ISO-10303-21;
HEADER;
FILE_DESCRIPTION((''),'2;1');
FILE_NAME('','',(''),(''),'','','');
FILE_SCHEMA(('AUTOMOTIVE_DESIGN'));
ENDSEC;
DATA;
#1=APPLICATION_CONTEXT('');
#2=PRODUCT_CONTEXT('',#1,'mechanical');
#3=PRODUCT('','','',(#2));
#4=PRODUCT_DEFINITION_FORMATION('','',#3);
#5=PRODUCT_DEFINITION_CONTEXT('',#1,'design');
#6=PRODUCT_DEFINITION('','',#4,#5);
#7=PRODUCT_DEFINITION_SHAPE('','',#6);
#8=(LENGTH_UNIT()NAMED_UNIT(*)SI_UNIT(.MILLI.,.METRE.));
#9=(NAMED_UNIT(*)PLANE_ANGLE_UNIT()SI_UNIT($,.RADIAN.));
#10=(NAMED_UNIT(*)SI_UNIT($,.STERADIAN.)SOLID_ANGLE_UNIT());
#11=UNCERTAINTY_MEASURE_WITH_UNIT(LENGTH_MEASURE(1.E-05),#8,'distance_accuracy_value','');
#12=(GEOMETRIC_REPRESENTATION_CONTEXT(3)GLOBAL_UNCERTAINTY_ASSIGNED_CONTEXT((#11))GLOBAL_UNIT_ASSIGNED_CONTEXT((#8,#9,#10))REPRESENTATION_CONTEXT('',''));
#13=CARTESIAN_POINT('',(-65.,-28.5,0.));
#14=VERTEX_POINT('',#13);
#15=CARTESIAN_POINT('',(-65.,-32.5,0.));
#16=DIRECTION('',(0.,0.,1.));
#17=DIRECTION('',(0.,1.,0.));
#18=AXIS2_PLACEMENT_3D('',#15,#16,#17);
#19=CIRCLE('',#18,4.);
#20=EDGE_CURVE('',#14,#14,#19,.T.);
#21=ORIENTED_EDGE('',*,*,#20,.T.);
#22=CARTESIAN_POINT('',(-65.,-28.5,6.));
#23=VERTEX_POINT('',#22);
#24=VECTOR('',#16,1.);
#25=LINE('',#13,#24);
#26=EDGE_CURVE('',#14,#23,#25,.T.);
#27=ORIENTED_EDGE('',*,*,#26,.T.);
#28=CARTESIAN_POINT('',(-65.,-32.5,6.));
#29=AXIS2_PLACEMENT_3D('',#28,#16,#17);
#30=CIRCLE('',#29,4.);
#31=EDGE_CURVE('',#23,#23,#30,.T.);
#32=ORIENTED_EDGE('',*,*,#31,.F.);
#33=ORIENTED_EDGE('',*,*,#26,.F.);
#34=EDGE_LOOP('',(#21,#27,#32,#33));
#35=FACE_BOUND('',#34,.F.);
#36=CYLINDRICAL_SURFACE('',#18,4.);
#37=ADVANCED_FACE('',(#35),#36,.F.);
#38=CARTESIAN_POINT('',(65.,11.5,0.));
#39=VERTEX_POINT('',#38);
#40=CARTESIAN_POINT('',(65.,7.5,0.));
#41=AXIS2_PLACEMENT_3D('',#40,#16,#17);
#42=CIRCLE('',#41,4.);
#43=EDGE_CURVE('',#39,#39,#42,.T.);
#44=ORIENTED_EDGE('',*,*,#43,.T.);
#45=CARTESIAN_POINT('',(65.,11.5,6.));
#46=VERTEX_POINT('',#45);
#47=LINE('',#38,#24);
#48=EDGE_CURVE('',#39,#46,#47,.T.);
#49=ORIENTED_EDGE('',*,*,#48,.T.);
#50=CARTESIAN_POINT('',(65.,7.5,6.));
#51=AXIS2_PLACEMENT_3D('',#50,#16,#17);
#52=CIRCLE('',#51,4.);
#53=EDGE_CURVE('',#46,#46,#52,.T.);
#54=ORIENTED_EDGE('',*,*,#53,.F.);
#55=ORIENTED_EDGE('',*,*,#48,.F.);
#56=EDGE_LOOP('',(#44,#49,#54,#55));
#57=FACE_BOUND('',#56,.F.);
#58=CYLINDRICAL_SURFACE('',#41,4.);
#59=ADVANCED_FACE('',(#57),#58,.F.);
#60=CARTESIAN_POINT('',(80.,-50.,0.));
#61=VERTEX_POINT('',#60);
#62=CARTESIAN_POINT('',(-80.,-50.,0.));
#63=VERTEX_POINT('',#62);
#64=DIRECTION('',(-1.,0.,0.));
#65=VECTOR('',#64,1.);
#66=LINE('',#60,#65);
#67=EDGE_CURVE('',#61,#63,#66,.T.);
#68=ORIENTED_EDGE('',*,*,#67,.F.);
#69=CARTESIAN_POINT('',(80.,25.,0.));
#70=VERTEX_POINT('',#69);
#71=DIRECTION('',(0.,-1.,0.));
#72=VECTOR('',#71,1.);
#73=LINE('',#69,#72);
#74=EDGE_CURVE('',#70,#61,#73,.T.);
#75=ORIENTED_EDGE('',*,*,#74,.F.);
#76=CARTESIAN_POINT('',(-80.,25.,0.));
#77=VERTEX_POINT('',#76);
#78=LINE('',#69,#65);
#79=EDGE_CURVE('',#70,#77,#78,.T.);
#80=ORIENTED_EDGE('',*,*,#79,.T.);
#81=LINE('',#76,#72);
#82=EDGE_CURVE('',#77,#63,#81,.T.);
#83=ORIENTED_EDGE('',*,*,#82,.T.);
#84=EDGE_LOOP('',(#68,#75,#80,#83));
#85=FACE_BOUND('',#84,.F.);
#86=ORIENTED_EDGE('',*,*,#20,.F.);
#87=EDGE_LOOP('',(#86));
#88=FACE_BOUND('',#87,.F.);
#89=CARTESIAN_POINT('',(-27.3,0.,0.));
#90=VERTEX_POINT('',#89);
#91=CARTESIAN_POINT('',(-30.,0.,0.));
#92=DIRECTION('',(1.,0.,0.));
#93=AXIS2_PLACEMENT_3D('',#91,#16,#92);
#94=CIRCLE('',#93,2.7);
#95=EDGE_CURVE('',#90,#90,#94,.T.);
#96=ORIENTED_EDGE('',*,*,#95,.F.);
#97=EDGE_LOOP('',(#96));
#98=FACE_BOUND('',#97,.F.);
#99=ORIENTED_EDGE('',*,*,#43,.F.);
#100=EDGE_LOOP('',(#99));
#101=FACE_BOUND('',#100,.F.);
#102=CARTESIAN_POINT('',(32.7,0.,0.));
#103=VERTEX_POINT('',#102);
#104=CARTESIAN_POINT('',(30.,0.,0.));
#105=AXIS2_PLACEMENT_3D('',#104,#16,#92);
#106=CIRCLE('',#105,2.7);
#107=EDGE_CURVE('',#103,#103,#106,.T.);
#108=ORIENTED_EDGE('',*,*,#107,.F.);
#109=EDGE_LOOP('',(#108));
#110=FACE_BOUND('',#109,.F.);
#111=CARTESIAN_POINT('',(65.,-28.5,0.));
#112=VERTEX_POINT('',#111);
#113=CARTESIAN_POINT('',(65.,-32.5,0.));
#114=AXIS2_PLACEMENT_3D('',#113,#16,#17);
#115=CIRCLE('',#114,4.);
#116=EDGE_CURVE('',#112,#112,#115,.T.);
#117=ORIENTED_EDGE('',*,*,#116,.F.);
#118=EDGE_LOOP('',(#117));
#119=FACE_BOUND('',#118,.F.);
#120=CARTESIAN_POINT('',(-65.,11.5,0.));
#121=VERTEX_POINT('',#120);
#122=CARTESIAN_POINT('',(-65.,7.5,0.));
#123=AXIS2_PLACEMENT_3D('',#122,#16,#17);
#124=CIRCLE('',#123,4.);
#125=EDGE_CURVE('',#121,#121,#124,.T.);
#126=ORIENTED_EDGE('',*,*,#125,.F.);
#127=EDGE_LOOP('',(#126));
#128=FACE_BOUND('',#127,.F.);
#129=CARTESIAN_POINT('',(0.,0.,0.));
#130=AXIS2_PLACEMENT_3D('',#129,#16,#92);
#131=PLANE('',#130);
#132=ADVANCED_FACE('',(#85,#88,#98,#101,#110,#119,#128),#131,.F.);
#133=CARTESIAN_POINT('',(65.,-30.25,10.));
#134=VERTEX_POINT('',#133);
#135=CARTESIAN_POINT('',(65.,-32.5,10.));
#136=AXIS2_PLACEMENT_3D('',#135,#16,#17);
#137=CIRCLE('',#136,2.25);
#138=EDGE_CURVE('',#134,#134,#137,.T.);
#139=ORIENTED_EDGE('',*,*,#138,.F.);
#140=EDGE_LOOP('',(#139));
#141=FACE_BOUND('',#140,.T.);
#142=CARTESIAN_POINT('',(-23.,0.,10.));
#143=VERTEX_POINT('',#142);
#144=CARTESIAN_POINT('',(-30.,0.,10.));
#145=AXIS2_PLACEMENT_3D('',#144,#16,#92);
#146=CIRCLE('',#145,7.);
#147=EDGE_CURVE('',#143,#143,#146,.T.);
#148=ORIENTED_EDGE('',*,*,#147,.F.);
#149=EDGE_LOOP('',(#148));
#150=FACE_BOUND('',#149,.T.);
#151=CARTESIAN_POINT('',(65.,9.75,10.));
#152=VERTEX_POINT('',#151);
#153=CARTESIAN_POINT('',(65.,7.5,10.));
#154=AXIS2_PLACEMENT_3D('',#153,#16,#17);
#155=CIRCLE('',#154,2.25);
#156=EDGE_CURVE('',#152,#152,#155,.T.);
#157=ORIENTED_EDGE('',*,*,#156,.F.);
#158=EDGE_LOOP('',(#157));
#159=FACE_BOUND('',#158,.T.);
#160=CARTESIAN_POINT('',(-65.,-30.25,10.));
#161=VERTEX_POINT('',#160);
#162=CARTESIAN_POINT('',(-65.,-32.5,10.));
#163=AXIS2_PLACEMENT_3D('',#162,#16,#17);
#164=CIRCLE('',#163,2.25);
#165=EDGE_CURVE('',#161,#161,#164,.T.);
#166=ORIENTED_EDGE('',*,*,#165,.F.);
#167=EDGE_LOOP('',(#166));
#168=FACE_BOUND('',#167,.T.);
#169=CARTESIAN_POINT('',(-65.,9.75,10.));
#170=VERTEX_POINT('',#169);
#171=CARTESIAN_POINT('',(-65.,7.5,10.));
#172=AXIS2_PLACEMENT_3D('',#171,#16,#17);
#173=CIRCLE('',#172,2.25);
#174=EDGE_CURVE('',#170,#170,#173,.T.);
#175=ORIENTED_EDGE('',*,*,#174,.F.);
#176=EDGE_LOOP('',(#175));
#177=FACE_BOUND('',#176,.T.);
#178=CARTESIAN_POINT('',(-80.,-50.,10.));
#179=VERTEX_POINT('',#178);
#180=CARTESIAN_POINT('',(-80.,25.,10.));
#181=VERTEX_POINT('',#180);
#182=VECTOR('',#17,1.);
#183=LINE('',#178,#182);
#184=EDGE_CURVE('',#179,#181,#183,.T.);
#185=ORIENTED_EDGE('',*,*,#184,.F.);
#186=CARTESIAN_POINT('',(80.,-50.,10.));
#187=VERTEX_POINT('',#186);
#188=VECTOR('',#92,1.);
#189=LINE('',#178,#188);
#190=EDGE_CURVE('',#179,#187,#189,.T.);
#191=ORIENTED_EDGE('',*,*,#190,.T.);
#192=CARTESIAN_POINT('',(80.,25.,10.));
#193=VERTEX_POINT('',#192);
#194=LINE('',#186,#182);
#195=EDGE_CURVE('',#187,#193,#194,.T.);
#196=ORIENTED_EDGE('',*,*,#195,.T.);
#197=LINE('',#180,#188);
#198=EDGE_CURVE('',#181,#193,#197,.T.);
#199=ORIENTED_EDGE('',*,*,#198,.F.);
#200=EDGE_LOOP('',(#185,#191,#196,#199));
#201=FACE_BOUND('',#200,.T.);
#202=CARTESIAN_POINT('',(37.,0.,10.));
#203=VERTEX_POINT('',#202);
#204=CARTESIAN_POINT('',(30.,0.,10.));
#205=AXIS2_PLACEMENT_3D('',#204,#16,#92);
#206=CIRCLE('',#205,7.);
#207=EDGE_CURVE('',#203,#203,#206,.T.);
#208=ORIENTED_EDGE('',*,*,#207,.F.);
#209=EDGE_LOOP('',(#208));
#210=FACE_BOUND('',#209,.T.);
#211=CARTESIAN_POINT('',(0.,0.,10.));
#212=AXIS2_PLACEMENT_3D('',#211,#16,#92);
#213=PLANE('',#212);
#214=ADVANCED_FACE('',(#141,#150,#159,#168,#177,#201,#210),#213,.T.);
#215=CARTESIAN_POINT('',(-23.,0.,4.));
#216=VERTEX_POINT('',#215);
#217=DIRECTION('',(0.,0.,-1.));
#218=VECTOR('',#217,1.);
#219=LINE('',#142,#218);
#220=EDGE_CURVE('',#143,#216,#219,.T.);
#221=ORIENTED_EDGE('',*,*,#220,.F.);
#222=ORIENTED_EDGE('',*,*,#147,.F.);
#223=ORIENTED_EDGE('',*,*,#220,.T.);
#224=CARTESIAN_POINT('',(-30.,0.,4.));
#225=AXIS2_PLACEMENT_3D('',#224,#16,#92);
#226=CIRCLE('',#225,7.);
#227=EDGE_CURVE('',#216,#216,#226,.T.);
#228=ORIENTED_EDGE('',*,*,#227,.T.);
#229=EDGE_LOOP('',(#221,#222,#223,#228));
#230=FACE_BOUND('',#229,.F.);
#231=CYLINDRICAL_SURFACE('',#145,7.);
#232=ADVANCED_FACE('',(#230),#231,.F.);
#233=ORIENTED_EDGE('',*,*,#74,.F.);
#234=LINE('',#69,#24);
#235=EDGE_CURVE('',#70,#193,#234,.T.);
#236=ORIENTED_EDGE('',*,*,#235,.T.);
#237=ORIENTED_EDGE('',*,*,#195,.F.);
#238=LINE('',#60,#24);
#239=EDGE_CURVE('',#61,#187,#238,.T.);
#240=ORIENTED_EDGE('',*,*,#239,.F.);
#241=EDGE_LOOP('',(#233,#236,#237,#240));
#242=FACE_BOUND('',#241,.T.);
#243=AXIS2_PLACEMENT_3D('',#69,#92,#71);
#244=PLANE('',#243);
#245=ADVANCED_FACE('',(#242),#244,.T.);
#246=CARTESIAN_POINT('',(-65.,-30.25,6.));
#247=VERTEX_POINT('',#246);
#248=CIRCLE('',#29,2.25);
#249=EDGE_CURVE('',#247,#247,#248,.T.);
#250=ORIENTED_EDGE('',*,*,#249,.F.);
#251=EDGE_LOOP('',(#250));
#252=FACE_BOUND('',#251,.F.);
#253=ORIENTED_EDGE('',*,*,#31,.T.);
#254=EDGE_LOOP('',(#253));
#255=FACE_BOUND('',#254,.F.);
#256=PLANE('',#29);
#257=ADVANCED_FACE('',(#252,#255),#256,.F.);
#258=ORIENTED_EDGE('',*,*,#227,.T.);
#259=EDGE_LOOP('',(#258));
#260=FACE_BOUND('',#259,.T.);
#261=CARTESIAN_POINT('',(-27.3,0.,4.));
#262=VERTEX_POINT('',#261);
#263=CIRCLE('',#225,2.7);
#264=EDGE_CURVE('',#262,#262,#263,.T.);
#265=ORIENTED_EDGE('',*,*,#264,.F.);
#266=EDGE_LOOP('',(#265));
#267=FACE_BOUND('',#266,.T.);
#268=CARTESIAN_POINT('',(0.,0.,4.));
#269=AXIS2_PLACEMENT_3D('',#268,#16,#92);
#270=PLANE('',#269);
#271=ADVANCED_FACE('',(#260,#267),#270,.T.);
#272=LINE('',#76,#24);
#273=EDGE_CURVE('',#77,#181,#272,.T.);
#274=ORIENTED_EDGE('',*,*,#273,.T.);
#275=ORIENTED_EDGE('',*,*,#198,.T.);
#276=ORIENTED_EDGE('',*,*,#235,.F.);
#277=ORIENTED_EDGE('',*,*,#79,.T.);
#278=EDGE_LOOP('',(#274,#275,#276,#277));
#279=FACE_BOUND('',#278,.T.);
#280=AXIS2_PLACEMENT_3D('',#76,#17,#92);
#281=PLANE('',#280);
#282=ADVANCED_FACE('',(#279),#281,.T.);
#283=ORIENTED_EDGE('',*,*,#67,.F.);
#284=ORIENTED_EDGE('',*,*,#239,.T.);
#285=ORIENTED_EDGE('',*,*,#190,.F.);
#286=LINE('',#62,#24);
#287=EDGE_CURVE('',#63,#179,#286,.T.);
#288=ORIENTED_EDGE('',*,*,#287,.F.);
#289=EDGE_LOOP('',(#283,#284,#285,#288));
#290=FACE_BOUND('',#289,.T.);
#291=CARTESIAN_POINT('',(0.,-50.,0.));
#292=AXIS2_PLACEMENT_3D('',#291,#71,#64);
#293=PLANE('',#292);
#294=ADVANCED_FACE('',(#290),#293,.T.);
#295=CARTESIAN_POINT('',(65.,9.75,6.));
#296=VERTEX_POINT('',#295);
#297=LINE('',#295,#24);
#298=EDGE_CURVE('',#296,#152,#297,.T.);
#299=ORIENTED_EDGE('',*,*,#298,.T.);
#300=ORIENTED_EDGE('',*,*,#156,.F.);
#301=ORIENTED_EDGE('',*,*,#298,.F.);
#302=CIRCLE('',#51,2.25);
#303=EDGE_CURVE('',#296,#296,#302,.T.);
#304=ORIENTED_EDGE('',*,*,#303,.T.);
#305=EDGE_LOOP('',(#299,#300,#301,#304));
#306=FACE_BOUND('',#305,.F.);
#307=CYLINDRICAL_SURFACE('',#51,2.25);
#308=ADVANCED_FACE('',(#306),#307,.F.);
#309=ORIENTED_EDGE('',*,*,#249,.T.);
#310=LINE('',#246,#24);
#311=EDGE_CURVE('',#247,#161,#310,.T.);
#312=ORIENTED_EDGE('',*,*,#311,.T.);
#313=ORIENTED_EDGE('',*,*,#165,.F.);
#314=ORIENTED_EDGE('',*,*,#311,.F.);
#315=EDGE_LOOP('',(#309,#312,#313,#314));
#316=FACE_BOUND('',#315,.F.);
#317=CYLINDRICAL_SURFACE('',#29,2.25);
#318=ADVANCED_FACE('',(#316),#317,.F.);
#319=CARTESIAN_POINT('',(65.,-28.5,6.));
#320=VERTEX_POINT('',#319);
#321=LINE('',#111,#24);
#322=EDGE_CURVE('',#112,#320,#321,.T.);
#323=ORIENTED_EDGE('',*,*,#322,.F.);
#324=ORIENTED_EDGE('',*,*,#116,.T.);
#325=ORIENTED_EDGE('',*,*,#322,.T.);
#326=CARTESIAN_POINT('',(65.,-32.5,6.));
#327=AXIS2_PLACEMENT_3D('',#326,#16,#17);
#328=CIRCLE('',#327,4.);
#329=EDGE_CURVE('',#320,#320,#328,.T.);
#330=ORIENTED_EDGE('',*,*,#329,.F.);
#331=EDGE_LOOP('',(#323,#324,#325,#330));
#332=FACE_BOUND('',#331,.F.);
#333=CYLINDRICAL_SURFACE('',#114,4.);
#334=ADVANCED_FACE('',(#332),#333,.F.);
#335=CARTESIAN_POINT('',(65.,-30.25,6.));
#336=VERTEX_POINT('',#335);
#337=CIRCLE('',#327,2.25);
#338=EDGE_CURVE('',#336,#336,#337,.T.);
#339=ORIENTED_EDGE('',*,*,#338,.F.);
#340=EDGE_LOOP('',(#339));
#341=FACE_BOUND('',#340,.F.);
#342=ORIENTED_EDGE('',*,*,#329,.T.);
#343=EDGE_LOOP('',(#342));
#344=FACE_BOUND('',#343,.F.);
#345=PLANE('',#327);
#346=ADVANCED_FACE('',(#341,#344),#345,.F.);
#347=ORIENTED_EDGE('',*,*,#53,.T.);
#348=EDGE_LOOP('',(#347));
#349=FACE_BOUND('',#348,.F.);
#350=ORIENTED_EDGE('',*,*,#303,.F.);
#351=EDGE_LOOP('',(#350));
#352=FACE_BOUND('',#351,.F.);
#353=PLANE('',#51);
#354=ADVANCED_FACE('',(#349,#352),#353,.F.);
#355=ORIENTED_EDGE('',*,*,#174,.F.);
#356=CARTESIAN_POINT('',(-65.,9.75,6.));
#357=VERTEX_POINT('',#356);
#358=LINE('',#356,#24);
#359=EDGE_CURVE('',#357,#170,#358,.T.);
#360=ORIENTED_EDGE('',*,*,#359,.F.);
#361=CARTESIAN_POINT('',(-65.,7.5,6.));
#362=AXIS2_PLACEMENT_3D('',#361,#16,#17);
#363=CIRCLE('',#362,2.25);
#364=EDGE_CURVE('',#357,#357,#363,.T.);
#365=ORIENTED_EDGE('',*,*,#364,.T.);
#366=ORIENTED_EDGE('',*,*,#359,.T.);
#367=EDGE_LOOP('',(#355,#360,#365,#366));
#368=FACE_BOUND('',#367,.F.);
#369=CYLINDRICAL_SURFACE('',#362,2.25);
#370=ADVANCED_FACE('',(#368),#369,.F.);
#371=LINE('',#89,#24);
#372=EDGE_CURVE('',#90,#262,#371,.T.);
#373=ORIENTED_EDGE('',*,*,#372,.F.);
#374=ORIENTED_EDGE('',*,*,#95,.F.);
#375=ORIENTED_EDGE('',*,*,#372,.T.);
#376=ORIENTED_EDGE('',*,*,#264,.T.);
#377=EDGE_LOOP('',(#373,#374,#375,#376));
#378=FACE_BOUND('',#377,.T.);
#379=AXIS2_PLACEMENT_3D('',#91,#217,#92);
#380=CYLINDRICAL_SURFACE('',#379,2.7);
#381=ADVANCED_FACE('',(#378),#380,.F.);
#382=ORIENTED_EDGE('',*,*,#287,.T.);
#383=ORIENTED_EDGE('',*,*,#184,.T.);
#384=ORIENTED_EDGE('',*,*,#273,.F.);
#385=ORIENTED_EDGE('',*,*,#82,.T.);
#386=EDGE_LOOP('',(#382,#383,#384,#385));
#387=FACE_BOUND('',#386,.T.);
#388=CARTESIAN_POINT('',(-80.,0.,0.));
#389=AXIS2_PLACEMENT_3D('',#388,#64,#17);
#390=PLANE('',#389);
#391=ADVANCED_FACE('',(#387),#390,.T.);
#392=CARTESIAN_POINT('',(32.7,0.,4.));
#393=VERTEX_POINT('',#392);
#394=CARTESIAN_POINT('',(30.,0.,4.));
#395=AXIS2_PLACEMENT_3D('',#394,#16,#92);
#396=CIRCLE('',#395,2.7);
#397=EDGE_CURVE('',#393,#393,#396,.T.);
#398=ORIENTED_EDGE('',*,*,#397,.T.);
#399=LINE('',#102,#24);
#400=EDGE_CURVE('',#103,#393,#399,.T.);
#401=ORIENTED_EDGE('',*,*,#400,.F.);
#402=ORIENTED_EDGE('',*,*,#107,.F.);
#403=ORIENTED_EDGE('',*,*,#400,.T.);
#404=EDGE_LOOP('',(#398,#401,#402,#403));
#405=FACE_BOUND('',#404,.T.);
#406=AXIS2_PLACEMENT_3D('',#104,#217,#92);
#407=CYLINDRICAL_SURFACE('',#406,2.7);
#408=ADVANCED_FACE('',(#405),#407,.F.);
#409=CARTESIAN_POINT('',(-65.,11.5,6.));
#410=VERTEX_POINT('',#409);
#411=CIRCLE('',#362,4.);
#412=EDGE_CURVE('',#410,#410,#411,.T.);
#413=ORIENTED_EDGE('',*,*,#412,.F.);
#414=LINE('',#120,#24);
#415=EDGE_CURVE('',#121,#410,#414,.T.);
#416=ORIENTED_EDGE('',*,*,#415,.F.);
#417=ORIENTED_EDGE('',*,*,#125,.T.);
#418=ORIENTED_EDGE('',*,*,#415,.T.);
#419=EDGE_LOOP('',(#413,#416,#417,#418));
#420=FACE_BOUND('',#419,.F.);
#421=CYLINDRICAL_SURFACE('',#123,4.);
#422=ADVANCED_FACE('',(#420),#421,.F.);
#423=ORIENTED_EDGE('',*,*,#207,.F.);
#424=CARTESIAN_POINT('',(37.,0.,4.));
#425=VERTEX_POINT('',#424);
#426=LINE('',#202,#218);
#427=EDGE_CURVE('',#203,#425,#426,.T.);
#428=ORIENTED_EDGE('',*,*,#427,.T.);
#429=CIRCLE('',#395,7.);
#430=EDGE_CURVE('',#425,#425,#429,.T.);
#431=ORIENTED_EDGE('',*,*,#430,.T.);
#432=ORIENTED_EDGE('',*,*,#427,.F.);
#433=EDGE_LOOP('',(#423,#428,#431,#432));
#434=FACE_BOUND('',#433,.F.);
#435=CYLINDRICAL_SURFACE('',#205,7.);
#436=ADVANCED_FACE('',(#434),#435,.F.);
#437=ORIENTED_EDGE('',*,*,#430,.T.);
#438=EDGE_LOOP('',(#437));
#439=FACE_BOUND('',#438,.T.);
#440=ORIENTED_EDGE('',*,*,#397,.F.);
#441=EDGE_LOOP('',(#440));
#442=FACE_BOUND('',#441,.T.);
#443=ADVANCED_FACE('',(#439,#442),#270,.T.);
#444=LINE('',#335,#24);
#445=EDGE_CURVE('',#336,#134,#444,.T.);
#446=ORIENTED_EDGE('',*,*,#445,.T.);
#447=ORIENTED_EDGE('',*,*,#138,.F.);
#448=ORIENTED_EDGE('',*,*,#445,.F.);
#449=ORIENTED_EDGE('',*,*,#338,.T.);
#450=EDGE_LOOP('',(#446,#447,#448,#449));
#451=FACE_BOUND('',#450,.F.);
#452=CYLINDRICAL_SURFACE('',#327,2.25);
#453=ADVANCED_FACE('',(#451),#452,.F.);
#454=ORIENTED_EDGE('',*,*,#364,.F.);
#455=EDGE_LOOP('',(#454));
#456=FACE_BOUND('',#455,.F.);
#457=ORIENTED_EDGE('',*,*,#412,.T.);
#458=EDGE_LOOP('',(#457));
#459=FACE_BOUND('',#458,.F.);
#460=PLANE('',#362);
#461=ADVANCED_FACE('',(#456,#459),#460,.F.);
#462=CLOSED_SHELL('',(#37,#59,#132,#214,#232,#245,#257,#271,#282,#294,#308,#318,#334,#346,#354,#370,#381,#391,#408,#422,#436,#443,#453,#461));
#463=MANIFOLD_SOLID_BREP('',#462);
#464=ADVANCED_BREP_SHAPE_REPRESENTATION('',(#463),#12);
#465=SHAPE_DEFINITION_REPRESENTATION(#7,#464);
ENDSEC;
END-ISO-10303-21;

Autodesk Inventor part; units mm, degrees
ref_plane "YZ Plane" through (0, 0, 0) normal (1, 0, 0) x (0, 1, 0)
ref_plane "XZ Plane" through (0, 0, 0) normal (0, 1, 0) x (-1, 0, 0)
ref_plane "XY Plane" through (0, 0, 0) normal (0, 0, 1) x (1, 0, 0)
sketch "Skizze1" plane through (0, 0, 0) normal (0, 0, 1) x (1, 0, 0)
  line L0 (-80, 25) -> (80, 25)
  line L1 (80, 25) -> (80, -50)
  line L2 (80, -50) -> (-80, -50)
  line L3 (-80, -50) -> (-80, 25)
  line L4 (-112, 0) -> (112, 0) projected
  line L5 (0, -65) -> (0, 40) projected
  circle A0 centre (-30, 0) radius 2.7
  circle A1 centre (30, 0) radius 2.7
  point P0 (0, 0)
  dimension "d0" = 25
  dimension "d1" = 160
  dimension "d2" = 60
  dimension "d3" = 5.4
  dimension "d4" = 75
extrude "Extrusion1" add sketch "Skizze1" along normal blind 10 contours L0 L5 L4 A0 L3 | L0 L1 L4 A1 L5 | L4 A0 L5 L2 L3 | L4 A1 L1 L2 L5
sketch "Skizze3" plane through (0, 0, 10) normal (0, 0, 1) x (1, 0, 0)
  circle A0 centre (30, 0) radius 2.7 projected
  circle A1 centre (-30, 0) radius 2.7 projected
  circle A2 centre (-30, 0) radius 7
  circle A3 centre (30, 0) radius 7
  point P0 (0, 0)
  dimension "d8" = 14
extrude "Extrusion2" cut sketch "Skizze3" against normal blind 6
sketch "Skizze4" plane through (0, 0, 0) normal (0, 0, -1) x (-1, 0, 0)
  line L0 (80, 25) -> (-80, 25) projected
  line L1 (-80, 25) -> (-80, -50) projected
  line L2 (-80, -50) -> (80, -50) projected
  line L3 (80, -50) -> (80, 25) projected
  line L4 (0, -50) -> (0, 25)
  line L5 (-65, -50) -> (-65, 25)
  line L6 (65, -50) -> (65, 25)
  line L7 (-80, -12.5) -> (80, -12.5)
  point P0 (0, 0)
  point P1 (-65, 7.5)
  point P2 (-65, -32.5)
  point P3 (65, -32.5)
  point P4 (65, 7.5)
  dimension "d11" = 130
  dimension "d12" = 40
hole "Bohrung1" at (65, 7.5, 0) at (65, -32.5, 0) at (-65, -32.5, 0) at (-65, 7.5, 0) direction (0, 0, 1) diameter 4.5 end through all counterbore diameter 8 counterbore depth 6
properties part number "1_0204_012"
